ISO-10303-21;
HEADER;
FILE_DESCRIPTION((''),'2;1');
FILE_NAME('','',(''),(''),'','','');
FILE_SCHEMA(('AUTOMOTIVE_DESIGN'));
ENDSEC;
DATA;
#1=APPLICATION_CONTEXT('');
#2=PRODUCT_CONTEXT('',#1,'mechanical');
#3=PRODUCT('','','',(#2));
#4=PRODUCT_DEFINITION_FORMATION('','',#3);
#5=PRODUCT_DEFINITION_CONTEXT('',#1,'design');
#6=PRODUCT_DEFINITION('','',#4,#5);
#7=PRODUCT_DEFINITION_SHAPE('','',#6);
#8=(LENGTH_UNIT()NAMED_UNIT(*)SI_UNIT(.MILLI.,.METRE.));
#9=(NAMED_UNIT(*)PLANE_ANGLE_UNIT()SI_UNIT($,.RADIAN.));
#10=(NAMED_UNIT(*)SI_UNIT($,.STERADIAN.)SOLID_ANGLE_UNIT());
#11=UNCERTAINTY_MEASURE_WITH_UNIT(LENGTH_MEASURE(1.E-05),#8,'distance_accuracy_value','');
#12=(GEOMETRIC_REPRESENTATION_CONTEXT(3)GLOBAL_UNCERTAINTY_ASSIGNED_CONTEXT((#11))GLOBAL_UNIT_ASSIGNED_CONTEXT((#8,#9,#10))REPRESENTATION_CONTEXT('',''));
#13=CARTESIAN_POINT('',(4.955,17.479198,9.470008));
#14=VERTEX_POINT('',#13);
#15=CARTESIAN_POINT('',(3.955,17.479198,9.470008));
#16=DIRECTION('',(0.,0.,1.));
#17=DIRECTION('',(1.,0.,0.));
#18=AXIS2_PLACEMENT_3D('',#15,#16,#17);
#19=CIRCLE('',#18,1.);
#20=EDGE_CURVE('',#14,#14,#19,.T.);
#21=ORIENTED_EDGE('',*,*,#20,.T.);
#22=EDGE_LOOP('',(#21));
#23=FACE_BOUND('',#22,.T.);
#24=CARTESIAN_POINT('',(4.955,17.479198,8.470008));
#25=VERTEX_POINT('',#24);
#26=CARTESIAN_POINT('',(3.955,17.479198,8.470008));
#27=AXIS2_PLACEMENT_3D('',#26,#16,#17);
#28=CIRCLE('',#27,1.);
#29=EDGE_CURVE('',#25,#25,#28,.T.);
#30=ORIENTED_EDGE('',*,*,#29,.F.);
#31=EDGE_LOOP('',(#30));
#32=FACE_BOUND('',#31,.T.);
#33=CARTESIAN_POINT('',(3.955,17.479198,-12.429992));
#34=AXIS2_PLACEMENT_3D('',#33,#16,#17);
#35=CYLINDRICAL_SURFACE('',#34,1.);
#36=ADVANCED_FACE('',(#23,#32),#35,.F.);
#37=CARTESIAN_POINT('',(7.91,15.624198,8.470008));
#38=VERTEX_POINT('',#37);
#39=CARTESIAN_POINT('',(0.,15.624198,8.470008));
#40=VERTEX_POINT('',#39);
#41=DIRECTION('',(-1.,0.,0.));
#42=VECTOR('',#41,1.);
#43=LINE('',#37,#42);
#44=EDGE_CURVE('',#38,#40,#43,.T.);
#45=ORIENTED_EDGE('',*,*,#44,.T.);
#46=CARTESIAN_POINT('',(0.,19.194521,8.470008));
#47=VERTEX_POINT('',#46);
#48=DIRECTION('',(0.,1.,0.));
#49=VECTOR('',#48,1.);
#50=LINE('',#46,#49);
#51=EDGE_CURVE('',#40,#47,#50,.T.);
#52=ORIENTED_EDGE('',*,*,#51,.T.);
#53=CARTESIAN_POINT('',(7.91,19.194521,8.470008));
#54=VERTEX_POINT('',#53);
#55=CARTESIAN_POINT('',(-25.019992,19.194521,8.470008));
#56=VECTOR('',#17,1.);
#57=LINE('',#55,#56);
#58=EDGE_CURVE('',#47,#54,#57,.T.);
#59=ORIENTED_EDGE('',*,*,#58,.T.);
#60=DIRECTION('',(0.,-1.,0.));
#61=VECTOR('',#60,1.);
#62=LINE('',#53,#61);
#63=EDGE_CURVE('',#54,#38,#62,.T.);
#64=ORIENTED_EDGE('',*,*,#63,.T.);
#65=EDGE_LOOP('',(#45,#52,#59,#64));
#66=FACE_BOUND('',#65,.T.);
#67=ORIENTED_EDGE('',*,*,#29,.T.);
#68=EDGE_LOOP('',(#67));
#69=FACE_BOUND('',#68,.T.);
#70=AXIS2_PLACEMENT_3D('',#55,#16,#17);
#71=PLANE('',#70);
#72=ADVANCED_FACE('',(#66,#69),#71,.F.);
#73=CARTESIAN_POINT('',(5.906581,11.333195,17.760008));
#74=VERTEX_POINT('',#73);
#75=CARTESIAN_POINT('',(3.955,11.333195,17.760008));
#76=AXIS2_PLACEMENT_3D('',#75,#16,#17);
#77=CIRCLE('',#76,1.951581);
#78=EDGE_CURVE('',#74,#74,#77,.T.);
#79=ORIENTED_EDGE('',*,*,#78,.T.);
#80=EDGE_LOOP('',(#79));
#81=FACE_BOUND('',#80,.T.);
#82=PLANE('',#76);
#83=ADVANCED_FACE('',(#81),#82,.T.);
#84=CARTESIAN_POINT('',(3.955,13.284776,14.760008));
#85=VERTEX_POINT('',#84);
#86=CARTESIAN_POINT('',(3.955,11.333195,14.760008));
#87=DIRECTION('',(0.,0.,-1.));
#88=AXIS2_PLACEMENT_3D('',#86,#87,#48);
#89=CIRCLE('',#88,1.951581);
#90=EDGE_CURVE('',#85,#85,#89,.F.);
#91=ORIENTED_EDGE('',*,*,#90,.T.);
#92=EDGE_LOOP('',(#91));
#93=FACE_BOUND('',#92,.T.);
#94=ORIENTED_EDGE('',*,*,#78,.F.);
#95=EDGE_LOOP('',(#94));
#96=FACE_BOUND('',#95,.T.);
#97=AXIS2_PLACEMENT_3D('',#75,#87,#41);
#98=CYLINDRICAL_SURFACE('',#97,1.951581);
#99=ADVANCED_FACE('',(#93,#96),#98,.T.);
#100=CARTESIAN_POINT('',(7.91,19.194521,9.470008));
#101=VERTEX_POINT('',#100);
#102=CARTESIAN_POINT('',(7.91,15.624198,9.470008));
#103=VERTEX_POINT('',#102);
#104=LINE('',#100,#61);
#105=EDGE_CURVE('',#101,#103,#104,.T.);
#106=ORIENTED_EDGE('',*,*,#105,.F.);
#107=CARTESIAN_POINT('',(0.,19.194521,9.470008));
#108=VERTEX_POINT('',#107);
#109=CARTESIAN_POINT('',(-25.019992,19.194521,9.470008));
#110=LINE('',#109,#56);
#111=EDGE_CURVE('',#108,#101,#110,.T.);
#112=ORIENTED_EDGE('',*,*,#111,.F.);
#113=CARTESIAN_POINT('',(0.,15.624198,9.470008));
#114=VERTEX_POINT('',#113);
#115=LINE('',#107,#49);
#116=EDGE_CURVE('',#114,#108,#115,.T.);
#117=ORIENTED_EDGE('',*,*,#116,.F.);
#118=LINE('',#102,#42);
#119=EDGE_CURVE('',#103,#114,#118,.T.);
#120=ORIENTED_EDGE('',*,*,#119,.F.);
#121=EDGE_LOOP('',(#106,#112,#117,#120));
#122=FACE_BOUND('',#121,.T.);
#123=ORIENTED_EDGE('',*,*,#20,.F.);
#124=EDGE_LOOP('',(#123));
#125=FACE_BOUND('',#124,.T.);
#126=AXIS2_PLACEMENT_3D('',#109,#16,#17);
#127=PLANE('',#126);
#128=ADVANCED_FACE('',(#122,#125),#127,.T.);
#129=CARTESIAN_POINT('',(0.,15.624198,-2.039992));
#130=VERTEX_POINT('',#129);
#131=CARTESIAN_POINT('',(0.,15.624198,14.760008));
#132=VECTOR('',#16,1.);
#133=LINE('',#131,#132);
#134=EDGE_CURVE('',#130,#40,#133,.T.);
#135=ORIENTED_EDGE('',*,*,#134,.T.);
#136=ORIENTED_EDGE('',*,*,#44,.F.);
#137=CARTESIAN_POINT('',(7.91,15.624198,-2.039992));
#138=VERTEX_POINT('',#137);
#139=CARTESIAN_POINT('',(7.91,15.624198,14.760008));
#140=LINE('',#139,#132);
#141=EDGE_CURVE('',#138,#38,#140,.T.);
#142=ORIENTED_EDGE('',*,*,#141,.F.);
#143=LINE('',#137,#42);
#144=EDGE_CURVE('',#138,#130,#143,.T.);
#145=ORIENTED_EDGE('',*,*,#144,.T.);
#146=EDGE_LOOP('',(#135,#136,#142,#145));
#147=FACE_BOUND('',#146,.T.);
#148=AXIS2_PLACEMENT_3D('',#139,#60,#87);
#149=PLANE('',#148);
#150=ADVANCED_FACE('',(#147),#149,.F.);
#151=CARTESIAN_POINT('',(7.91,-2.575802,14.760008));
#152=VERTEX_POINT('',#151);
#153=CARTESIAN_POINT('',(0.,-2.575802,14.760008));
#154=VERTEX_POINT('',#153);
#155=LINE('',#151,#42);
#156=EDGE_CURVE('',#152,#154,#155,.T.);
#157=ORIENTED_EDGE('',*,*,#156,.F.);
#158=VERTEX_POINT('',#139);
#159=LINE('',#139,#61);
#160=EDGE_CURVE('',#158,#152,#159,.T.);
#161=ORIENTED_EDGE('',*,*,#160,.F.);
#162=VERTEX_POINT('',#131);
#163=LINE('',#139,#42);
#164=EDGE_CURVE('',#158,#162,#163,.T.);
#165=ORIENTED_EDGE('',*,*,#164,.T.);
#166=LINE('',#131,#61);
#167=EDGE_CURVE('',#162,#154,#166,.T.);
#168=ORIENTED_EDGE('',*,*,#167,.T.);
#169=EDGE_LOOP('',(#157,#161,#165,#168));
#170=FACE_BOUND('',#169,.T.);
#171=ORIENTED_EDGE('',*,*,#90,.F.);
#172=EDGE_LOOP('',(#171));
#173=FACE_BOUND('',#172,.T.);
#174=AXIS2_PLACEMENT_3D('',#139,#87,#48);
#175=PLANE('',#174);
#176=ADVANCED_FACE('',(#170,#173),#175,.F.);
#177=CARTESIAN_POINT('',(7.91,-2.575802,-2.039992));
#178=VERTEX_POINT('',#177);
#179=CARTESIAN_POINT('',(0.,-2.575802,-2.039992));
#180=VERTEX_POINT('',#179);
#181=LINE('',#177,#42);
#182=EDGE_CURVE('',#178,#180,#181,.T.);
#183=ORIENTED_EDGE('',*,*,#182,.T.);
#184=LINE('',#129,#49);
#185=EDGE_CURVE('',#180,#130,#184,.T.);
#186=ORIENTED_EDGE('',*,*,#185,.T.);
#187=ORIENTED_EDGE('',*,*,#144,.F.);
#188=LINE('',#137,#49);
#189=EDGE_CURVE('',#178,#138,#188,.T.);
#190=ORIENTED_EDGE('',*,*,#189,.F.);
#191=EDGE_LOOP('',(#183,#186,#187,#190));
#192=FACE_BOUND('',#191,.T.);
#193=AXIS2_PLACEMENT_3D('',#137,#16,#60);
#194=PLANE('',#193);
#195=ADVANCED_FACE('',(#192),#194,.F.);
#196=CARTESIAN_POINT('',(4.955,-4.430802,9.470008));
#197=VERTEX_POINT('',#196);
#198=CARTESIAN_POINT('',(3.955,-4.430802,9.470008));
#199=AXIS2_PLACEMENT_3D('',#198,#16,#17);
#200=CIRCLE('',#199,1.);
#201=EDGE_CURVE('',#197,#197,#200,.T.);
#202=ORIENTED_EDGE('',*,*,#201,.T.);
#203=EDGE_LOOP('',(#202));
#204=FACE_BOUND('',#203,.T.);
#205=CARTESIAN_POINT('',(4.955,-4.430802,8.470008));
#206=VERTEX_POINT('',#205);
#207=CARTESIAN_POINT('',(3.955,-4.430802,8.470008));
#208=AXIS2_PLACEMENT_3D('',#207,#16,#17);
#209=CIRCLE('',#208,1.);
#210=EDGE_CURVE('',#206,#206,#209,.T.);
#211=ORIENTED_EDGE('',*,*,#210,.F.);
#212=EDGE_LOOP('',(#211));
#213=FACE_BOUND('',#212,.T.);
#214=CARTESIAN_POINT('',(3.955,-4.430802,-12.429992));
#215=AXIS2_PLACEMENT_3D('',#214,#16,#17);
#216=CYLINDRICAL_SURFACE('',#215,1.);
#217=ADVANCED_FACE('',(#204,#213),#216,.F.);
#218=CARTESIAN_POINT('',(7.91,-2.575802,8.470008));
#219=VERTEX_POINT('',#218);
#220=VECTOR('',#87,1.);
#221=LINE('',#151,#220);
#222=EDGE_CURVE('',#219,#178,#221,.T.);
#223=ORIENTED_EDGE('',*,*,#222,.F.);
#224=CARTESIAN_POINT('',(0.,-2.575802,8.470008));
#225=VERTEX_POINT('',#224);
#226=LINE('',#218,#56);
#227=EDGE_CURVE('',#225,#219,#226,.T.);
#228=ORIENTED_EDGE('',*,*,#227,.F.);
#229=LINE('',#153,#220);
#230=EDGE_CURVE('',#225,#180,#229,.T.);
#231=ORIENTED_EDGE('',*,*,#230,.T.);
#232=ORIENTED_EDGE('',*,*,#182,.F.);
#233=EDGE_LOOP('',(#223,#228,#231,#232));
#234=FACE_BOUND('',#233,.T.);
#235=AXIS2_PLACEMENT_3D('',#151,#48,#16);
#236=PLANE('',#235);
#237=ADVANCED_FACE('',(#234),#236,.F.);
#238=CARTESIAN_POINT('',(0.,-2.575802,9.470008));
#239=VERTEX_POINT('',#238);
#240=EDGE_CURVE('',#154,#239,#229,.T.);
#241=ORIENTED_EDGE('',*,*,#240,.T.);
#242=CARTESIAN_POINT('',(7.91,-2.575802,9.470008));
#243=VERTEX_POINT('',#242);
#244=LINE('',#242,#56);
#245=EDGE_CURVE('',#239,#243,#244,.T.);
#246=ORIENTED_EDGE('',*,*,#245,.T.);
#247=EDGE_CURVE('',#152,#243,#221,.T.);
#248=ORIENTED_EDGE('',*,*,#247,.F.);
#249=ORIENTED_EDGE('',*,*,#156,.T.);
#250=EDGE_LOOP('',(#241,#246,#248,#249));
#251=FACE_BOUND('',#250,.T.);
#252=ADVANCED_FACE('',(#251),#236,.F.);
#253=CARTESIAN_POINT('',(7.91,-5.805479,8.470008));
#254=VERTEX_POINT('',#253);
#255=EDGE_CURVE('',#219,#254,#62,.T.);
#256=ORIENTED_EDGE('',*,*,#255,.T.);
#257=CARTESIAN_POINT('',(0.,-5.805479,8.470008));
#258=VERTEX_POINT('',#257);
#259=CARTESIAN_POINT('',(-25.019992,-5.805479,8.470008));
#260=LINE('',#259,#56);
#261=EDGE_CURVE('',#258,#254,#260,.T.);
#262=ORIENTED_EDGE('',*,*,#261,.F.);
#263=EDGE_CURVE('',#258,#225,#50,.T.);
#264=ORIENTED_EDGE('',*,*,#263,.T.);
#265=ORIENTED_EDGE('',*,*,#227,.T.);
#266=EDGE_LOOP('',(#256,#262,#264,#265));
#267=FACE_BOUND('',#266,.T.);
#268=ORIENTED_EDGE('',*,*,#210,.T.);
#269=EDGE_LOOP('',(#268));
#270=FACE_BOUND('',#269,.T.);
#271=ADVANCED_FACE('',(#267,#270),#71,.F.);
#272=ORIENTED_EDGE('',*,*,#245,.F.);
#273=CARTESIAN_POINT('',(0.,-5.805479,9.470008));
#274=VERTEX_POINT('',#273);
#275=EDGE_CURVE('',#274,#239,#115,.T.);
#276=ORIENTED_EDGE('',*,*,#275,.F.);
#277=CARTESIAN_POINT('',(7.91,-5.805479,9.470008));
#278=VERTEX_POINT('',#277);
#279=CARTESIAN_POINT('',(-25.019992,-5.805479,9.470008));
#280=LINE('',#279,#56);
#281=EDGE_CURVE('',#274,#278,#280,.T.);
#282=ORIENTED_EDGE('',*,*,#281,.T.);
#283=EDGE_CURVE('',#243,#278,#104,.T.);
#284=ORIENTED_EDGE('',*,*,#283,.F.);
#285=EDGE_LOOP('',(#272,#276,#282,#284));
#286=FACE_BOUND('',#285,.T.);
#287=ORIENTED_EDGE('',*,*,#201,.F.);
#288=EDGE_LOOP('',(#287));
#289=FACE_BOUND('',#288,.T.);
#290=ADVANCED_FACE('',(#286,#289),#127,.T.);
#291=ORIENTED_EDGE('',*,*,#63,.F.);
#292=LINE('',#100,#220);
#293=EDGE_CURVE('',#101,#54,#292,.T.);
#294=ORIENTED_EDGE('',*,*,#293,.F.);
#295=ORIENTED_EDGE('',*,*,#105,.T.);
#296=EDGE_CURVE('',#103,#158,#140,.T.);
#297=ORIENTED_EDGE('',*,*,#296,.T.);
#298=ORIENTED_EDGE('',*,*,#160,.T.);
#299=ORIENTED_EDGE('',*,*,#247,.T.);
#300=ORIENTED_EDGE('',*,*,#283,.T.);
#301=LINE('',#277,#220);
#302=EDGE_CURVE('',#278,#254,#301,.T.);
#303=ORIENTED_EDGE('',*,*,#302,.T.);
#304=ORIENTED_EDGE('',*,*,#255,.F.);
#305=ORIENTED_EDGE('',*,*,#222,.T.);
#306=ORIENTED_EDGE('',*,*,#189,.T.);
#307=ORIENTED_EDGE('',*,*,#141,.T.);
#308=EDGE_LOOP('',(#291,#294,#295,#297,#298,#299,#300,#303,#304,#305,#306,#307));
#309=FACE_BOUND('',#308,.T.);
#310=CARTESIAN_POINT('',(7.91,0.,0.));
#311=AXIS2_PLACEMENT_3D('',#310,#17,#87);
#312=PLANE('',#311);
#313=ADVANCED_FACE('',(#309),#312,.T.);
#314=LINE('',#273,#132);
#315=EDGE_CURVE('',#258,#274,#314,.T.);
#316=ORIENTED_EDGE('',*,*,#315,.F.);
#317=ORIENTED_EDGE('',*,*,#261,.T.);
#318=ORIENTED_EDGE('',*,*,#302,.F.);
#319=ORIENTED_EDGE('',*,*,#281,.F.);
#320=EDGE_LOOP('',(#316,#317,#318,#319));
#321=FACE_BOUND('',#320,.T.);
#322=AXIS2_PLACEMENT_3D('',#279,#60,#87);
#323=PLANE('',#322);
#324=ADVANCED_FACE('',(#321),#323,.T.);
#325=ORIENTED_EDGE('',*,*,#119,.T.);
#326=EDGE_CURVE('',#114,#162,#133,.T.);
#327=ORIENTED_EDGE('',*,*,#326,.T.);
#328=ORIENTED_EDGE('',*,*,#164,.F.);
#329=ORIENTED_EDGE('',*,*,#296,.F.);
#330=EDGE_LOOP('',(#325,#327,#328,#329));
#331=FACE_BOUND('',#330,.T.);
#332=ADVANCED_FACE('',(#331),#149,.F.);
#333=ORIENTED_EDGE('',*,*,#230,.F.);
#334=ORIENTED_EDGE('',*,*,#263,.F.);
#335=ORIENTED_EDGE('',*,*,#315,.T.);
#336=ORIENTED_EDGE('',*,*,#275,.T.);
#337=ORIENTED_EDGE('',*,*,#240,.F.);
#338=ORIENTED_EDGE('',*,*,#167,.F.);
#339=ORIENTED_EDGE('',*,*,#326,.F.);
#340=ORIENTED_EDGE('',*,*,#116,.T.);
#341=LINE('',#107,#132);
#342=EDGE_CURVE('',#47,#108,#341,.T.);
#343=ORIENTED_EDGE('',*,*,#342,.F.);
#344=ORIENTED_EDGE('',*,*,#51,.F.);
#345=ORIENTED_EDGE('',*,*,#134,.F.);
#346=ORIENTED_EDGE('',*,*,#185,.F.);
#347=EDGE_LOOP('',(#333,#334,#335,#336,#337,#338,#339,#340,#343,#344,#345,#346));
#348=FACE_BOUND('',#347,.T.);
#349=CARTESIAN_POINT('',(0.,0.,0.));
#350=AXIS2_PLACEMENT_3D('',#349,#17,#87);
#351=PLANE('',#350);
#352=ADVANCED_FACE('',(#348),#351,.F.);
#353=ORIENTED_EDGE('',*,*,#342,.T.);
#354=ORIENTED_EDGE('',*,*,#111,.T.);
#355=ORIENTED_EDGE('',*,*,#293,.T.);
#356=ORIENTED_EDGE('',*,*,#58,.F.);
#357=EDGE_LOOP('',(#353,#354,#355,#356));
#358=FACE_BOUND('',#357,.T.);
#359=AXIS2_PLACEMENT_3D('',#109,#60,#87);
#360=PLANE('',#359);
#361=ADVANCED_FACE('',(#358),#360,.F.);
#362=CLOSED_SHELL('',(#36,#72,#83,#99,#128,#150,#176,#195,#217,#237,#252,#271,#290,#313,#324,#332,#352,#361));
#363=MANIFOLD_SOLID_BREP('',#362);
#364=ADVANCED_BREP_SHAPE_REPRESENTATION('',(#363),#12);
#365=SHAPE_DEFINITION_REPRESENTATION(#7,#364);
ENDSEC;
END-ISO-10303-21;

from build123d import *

# Parameters (mm, degrees)
SKETCH1_W           = 16.8
SKETCH1_H           = 18.2
BOSS_EXTRUDE1_DEPTH = 7.91
SKETCH2_W           = 1
SKETCH2_H           = 25
BOSS_EXTRUDE2_DEPTH = 7.91
SKETCH3_R           = 1
CUT_EXTRUDE1_DEPTH  = 21.9
SKETCH4_R           = 1.951580775
BOSS_EXTRUDE3_DEPTH = 3


with BuildPart() as part:
    # Sketch1 → Boss-Extrude1 (new body)
    with BuildSketch(Plane(origin=(0, 0, 0), x_dir=(0, 0, -1), z_dir=(1, 0, 0))):
        with Locations((-6.360008023, 6.524197801)):
            Rectangle(SKETCH1_W, SKETCH1_H)
    extrude(amount=BOSS_EXTRUDE1_DEPTH)

    # Sketch2 → Boss-Extrude2 (add)
    with BuildSketch(Plane(origin=(7.91, 0, 0), x_dir=(0, 0, -1), z_dir=(1, 0, 0))):
        with Locations((-8.970008023, 6.694520813)):
            Rectangle(SKETCH2_W, SKETCH2_H)
    extrude(amount=-BOSS_EXTRUDE2_DEPTH)

    # Sketch3 → Cut-Extrude1 (cut)
    with BuildSketch(Plane.XY.offset(9.470008023)):
        with Locations((3.955, 17.479197801)):
            Circle(SKETCH3_R)
        with Locations((3.955, -4.430802199)):
            Circle(SKETCH3_R)
    extrude(amount=-CUT_EXTRUDE1_DEPTH, mode=Mode.SUBTRACT)

    # Sketch4 → Boss-Extrude3 (add)
    with BuildSketch(Plane.XY.offset(14.760008023)):
        with Locations((3.955, 11.333194866)):
            Circle(SKETCH4_R)
    extrude(amount=BOSS_EXTRUDE3_DEPTH)


solid = part.part
